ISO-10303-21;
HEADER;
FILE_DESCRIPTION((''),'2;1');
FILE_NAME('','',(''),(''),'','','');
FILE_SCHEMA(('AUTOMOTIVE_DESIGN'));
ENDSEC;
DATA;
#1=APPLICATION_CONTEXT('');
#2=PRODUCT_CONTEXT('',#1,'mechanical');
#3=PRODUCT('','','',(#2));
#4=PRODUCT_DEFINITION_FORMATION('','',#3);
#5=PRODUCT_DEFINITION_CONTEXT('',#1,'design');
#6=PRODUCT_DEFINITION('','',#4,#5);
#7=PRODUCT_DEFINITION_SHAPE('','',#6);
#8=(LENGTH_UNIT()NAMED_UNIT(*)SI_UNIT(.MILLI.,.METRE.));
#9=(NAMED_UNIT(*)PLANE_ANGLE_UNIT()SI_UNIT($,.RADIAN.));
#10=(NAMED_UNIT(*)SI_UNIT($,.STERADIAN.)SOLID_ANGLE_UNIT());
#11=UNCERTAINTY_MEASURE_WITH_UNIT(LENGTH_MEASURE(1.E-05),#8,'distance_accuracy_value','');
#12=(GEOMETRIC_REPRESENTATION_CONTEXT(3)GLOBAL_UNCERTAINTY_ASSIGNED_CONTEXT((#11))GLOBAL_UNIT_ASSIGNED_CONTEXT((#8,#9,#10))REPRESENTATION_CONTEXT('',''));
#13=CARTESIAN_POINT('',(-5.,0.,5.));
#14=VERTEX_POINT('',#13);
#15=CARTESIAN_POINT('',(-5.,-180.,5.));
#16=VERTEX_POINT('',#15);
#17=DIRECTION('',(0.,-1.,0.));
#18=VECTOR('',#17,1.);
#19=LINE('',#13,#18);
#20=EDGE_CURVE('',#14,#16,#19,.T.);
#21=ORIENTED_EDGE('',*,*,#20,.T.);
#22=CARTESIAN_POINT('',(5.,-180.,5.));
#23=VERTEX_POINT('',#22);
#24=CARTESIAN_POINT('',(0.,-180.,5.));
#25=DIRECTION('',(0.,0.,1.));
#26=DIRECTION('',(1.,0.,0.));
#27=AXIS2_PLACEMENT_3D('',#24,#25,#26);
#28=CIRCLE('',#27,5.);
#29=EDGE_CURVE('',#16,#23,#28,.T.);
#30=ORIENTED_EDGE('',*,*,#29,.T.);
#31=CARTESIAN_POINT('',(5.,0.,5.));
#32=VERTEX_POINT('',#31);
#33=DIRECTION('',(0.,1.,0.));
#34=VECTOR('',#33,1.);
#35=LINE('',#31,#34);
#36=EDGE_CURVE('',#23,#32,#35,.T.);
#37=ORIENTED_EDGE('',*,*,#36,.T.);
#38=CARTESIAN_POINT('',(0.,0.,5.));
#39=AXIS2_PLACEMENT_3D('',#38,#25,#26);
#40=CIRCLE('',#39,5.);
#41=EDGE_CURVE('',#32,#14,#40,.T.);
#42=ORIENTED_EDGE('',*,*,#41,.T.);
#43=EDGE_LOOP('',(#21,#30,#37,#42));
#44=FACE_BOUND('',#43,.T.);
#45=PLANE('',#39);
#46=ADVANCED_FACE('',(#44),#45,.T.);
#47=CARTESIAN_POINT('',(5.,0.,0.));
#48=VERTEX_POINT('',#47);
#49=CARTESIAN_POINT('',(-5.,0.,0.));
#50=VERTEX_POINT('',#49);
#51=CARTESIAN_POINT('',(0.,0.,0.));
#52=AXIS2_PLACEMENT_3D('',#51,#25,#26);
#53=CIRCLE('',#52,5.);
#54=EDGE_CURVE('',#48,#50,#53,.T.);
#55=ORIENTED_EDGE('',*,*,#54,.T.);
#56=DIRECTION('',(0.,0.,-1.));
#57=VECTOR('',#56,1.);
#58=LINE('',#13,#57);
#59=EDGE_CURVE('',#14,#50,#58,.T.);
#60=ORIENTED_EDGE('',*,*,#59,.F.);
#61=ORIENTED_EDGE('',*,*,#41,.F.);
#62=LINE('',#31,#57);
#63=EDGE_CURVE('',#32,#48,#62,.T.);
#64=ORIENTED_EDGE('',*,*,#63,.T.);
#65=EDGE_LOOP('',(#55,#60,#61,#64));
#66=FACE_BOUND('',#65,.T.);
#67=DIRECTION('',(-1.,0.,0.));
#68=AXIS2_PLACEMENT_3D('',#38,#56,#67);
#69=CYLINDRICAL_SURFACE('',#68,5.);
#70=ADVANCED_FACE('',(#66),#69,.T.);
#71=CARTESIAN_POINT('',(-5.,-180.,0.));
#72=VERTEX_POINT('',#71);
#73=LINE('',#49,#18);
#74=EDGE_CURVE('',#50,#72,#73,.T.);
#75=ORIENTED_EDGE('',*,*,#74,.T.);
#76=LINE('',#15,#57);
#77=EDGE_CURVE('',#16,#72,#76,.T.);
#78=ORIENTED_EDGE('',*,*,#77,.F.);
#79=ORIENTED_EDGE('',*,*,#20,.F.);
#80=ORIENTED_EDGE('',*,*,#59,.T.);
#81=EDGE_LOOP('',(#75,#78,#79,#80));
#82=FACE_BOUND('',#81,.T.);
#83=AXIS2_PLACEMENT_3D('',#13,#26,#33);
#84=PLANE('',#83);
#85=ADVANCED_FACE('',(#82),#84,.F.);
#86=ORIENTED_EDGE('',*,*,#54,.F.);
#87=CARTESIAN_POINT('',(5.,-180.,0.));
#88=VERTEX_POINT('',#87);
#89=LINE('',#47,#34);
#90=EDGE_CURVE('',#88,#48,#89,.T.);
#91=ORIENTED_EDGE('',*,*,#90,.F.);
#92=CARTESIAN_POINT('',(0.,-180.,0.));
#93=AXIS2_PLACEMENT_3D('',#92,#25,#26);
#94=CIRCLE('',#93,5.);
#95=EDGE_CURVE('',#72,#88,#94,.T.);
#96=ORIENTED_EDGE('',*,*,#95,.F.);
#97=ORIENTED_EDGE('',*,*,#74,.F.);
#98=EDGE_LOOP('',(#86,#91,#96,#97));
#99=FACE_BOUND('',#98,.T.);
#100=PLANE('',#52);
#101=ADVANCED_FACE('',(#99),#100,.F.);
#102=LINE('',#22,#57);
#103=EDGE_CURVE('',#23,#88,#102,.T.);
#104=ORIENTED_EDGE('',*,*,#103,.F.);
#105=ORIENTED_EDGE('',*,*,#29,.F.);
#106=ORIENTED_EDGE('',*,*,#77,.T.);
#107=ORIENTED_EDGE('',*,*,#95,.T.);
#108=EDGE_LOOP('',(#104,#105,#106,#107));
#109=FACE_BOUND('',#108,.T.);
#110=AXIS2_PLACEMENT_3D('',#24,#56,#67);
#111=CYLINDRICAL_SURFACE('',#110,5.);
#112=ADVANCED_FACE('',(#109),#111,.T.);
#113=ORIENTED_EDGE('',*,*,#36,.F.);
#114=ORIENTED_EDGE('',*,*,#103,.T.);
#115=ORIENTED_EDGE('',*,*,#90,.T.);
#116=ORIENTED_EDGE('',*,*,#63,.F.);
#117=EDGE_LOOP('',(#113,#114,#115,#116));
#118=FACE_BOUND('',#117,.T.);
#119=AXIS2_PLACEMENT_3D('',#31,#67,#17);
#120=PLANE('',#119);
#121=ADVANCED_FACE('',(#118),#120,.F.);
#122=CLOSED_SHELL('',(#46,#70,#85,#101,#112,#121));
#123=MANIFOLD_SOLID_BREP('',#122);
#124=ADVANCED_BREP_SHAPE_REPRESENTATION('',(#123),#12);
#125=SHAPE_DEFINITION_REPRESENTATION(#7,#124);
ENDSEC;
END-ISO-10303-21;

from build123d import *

# Parameters (mm, degrees)
EXTRUDE_1_DEPTH = 5


with BuildPart() as part:
    # 草图1 → 凸台-拉伸1 (new body)
    with BuildSketch(Plane.XY):
        with BuildLine():
            Line((5, 0), (5, -180))
            ThreePointArc((5, -180), (0, -185), (-5, -180))
            Line((-5, -180), (-5, 0))
            ThreePointArc((-5, 0), (0, 5), (5, 0))
        make_face()
    extrude(amount=EXTRUDE_1_DEPTH)


solid = part.part
